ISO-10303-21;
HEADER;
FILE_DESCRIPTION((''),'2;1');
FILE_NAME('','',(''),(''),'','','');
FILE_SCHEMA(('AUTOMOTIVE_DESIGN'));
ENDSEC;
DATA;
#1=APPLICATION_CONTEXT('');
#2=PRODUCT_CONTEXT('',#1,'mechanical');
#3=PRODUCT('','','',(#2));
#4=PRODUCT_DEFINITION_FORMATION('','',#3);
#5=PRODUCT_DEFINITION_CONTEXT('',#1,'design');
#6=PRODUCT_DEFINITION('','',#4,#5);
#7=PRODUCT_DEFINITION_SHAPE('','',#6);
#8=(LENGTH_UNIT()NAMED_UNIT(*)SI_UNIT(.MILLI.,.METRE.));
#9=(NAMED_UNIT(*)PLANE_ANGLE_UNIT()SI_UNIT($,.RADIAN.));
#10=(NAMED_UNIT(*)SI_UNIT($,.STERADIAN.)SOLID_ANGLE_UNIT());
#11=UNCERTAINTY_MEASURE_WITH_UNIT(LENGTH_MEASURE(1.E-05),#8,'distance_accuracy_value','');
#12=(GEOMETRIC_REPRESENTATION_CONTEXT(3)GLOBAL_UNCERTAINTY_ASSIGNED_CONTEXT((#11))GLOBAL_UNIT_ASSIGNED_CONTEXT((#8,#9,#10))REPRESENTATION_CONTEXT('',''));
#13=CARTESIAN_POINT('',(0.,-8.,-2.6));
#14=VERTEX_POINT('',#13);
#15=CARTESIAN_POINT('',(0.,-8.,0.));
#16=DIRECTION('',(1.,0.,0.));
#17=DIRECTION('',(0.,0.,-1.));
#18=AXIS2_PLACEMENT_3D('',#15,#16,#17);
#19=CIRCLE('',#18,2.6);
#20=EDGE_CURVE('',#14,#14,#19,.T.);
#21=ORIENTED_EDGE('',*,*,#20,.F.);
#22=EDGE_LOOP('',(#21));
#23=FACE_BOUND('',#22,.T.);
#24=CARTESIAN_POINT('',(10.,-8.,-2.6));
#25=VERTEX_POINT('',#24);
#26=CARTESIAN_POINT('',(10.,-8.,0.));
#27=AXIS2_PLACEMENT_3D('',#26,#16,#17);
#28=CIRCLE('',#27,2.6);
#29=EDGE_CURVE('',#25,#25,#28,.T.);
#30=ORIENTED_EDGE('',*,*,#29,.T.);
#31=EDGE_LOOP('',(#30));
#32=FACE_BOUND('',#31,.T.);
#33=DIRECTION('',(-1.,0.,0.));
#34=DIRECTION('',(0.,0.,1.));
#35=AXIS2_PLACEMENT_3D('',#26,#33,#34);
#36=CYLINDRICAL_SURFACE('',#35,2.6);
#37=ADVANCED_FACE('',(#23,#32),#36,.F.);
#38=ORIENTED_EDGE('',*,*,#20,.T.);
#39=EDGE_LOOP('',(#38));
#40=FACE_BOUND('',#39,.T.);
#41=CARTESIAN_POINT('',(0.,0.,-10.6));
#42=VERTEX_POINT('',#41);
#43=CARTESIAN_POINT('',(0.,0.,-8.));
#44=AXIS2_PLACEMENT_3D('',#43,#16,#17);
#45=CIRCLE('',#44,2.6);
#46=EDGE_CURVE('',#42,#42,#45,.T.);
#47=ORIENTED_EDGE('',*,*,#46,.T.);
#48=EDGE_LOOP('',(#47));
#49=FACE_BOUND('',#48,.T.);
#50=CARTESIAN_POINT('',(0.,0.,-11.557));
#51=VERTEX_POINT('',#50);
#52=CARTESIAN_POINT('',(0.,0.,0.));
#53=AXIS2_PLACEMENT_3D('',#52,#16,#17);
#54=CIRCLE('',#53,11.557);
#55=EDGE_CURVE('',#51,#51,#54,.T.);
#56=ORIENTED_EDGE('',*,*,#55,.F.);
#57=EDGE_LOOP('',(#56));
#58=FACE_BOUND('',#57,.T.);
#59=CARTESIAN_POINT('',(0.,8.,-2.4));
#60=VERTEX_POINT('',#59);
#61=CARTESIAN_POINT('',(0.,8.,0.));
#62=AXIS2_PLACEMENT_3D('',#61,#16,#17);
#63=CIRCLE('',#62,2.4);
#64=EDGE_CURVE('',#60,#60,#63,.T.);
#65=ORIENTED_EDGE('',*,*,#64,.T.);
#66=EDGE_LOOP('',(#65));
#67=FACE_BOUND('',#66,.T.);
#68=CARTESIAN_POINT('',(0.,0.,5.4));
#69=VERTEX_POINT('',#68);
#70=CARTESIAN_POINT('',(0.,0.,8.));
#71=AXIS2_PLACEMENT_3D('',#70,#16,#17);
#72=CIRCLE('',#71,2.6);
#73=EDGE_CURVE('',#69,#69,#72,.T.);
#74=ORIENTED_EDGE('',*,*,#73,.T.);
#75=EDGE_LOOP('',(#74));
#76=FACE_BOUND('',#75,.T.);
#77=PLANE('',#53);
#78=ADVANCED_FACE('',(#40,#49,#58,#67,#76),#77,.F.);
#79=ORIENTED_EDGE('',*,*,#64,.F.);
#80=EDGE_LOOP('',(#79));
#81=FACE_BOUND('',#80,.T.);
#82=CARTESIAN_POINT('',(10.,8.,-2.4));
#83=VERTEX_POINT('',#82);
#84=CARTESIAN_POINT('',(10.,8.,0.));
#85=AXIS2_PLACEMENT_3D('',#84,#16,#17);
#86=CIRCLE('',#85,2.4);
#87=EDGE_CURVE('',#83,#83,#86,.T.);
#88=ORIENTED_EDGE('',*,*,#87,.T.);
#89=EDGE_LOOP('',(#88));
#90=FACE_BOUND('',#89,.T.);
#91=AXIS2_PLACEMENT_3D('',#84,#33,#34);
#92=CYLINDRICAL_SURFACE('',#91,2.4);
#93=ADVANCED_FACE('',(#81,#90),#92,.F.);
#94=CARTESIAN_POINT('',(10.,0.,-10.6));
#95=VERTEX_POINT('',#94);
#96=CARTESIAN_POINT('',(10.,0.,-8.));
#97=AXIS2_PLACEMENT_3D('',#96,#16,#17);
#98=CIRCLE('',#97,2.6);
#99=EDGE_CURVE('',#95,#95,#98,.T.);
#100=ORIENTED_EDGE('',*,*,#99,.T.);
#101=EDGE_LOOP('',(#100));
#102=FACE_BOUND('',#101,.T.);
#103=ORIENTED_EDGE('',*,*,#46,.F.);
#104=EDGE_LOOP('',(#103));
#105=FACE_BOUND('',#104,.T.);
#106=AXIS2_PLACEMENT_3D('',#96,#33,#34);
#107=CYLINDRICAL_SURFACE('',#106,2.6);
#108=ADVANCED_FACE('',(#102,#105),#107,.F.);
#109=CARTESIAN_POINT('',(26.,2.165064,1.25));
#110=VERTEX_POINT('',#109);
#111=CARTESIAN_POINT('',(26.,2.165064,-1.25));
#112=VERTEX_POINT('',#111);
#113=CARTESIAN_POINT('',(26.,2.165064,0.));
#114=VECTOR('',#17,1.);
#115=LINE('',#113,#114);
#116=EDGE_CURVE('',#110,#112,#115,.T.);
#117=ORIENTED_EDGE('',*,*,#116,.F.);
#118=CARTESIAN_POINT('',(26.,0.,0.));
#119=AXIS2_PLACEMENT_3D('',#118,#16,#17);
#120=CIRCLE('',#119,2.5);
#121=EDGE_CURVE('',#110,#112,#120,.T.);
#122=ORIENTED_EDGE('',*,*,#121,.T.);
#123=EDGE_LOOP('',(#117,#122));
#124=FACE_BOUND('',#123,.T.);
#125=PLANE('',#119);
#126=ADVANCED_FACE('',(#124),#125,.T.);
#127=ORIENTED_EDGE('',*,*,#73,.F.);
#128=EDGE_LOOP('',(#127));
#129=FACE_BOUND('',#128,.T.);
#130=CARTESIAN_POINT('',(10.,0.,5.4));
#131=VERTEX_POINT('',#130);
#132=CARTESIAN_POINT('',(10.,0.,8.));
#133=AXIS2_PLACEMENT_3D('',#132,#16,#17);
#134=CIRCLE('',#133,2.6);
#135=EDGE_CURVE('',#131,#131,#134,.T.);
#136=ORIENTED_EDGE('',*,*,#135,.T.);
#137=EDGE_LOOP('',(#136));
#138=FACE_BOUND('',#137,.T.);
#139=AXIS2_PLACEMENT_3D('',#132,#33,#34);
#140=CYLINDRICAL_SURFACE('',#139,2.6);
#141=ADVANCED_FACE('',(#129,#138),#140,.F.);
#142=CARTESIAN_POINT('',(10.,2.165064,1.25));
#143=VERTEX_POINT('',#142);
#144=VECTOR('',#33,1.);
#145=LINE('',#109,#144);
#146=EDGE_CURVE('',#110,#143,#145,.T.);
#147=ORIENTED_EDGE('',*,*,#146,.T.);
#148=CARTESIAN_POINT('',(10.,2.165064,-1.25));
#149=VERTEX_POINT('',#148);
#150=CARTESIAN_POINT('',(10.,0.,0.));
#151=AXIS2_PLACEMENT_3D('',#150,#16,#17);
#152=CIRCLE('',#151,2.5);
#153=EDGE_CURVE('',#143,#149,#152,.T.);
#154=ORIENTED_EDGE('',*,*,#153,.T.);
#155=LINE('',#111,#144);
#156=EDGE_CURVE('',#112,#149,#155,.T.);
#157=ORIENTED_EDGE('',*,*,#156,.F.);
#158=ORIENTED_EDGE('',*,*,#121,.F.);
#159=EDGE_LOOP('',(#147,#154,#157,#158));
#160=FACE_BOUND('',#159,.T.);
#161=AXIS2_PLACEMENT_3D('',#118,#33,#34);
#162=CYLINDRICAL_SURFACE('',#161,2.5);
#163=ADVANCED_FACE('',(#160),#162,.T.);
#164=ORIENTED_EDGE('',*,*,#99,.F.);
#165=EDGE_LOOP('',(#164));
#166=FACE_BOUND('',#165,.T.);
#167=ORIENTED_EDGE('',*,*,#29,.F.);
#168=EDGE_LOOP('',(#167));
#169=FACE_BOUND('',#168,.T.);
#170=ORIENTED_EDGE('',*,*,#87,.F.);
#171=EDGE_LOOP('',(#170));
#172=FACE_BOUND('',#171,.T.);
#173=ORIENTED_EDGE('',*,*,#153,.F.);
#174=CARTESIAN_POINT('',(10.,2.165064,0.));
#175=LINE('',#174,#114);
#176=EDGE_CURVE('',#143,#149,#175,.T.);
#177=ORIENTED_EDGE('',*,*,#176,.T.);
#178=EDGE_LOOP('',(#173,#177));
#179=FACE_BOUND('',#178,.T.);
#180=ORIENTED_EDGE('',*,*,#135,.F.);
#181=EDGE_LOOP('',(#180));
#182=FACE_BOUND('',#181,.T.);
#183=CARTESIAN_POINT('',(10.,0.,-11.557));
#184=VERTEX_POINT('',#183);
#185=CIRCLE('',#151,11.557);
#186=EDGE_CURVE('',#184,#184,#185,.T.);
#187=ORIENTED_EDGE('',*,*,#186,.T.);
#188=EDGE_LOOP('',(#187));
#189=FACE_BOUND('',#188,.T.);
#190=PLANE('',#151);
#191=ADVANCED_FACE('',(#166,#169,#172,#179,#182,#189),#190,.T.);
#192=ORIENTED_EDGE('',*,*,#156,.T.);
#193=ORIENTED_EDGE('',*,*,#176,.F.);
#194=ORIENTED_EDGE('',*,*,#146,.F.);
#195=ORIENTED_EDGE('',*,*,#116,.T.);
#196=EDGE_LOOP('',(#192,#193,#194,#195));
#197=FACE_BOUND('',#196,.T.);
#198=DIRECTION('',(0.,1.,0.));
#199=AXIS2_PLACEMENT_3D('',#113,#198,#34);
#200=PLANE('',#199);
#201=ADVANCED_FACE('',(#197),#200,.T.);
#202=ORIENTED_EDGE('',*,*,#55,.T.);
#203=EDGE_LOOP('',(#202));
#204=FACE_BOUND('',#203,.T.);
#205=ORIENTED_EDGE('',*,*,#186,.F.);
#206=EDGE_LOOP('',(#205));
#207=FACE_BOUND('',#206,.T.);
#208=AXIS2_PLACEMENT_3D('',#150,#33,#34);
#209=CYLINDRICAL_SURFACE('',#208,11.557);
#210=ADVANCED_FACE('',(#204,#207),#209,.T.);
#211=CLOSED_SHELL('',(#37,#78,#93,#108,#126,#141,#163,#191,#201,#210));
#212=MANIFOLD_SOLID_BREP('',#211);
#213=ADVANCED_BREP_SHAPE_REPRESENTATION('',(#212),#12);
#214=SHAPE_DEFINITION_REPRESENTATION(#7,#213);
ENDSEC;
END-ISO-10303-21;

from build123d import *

# Parameters (mm, degrees)
SKETCH1_R           = 11.557
SKETCH1_R_2         = 2.6
SKETCH1_R_3         = 2.4
BOSS_EXTRUDE1_DEPTH = 10
BOSS_EXTRUDE2_DEPTH = 16


with BuildPart() as part:
    # Sketch1 → Boss-Extrude1 (new body)
    with BuildSketch(Plane(origin=(0, 0, 0), x_dir=(0, 0, -1), z_dir=(1, 0, 0))):
        Circle(SKETCH1_R)
        with Locations((8, 0)):
            Circle(SKETCH1_R_2, mode=Mode.SUBTRACT)
        with Locations((0, -8)):
            Circle(SKETCH1_R_2, mode=Mode.SUBTRACT)
        with Locations((-8, 0)):
            Circle(SKETCH1_R_2, mode=Mode.SUBTRACT)
        with Locations((0, 8)):
            Circle(SKETCH1_R_3, mode=Mode.SUBTRACT)
    extrude(amount=BOSS_EXTRUDE1_DEPTH)

    # Sketch2 → Boss-Extrude2 (add)
    with BuildSketch(Plane(origin=(10, 0, 0), x_dir=(0, 0, -1), z_dir=(1, 0, 0))):
        with BuildLine():
            Line((1.25, 2.165063509), (-1.25, 2.165063509))
            ThreePointArc((-1.25, 2.165063509), (-1.25, -2.165063509), (2.5, 0))
            ThreePointArc((2.5, 0), (2.165063509, 1.25), (1.25, 2.165063509))
        make_face()
    extrude(amount=BOSS_EXTRUDE2_DEPTH)


solid = part.part
